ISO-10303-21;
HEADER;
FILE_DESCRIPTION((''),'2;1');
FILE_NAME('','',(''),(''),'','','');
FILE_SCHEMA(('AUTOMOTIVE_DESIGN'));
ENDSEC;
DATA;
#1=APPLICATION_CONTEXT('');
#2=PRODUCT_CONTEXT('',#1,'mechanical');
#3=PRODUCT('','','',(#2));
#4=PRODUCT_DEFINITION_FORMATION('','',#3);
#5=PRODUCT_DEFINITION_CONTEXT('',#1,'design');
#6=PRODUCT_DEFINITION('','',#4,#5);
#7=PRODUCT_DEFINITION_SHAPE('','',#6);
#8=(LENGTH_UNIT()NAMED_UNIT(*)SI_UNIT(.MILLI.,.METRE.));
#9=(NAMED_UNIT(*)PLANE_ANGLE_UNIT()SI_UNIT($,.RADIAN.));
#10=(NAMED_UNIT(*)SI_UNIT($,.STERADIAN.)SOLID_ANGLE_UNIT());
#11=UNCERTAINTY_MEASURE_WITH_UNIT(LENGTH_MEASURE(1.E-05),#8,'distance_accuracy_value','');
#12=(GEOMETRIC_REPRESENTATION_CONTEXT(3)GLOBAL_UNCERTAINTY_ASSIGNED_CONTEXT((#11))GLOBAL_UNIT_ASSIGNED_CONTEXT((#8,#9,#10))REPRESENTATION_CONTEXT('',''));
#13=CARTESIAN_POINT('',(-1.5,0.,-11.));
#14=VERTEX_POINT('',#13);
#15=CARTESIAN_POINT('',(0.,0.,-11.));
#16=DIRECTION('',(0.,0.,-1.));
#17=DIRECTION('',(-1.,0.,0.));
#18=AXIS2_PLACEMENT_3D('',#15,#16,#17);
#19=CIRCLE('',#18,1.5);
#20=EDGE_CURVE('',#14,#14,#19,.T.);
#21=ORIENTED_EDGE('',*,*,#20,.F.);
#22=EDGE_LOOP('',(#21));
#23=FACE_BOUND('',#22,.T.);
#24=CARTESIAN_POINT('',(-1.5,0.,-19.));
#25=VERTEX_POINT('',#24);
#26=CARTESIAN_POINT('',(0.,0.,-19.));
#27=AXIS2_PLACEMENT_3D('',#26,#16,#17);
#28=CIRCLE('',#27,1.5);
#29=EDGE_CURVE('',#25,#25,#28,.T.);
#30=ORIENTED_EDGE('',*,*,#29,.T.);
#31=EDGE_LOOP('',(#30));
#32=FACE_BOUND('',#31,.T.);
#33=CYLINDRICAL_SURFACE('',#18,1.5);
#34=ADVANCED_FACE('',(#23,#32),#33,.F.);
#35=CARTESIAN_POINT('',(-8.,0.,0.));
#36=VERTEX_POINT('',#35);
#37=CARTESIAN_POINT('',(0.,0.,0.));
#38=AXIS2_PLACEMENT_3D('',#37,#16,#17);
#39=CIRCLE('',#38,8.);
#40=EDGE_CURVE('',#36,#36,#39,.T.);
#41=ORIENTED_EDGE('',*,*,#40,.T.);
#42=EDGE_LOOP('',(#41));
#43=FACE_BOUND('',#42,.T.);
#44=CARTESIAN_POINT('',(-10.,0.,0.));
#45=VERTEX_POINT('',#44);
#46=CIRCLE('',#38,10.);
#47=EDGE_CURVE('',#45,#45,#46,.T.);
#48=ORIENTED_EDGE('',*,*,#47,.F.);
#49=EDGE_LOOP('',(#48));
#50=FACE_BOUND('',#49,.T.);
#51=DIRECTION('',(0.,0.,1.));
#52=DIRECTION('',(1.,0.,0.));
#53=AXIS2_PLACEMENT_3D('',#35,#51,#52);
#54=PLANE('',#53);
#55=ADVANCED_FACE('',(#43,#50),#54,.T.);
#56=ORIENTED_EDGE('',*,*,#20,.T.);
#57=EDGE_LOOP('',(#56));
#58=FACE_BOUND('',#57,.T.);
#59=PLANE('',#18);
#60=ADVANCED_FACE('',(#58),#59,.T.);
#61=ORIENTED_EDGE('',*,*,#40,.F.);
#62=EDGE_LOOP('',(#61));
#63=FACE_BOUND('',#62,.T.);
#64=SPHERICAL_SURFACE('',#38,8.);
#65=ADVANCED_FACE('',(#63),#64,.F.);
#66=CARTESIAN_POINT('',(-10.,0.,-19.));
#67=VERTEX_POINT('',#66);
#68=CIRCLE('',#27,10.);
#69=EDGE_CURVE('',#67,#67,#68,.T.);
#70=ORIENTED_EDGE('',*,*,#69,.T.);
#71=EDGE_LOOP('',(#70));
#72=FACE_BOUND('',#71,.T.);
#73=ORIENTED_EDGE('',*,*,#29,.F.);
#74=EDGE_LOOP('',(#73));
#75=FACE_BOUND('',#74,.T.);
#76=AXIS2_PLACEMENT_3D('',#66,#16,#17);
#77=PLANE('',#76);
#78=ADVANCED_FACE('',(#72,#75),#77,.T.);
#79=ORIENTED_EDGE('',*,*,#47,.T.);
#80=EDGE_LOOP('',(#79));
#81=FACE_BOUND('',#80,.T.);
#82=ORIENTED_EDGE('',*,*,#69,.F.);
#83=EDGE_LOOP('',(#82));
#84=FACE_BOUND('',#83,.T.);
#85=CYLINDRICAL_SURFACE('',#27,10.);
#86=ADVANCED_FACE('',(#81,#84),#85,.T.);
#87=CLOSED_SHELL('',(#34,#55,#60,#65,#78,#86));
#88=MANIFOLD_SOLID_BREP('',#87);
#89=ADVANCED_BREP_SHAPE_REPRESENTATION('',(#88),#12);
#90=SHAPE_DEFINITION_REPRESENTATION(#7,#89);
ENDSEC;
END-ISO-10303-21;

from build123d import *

# Parameters (mm, degrees)
SKETCH2_R          = 1.5
CUT_EXTRUDE1_DEPTH = 8


with BuildPart() as part:
    # Sketch1 → Revolve1 (revolve)
    with BuildSketch(Plane(origin=(0, 0, 0), x_dir=(1, 0, 0), z_dir=(0, 1, 0))):
        with BuildLine():
            Line((-8, 0), (-10, 0))
            Line((-10, 0), (-10, 19))
            Line((-10, 19), (0, 19))
            Line((0, 19), (0, 8))
            ThreePointArc((0, 8), (-5.656854249, 5.656854249), (-8, 0))
        make_face()
    revolve(axis=Axis((0, 0, -19), (0, 0, 1)))

    # Sketch2 → Cut-Extrude1 (cut)
    with BuildSketch(Plane(origin=(0, 0, -19), x_dir=(-1, 0, 0), z_dir=(0, 0, -1))):
        Circle(SKETCH2_R)
    extrude(amount=-CUT_EXTRUDE1_DEPTH, mode=Mode.SUBTRACT)


solid = part.part
